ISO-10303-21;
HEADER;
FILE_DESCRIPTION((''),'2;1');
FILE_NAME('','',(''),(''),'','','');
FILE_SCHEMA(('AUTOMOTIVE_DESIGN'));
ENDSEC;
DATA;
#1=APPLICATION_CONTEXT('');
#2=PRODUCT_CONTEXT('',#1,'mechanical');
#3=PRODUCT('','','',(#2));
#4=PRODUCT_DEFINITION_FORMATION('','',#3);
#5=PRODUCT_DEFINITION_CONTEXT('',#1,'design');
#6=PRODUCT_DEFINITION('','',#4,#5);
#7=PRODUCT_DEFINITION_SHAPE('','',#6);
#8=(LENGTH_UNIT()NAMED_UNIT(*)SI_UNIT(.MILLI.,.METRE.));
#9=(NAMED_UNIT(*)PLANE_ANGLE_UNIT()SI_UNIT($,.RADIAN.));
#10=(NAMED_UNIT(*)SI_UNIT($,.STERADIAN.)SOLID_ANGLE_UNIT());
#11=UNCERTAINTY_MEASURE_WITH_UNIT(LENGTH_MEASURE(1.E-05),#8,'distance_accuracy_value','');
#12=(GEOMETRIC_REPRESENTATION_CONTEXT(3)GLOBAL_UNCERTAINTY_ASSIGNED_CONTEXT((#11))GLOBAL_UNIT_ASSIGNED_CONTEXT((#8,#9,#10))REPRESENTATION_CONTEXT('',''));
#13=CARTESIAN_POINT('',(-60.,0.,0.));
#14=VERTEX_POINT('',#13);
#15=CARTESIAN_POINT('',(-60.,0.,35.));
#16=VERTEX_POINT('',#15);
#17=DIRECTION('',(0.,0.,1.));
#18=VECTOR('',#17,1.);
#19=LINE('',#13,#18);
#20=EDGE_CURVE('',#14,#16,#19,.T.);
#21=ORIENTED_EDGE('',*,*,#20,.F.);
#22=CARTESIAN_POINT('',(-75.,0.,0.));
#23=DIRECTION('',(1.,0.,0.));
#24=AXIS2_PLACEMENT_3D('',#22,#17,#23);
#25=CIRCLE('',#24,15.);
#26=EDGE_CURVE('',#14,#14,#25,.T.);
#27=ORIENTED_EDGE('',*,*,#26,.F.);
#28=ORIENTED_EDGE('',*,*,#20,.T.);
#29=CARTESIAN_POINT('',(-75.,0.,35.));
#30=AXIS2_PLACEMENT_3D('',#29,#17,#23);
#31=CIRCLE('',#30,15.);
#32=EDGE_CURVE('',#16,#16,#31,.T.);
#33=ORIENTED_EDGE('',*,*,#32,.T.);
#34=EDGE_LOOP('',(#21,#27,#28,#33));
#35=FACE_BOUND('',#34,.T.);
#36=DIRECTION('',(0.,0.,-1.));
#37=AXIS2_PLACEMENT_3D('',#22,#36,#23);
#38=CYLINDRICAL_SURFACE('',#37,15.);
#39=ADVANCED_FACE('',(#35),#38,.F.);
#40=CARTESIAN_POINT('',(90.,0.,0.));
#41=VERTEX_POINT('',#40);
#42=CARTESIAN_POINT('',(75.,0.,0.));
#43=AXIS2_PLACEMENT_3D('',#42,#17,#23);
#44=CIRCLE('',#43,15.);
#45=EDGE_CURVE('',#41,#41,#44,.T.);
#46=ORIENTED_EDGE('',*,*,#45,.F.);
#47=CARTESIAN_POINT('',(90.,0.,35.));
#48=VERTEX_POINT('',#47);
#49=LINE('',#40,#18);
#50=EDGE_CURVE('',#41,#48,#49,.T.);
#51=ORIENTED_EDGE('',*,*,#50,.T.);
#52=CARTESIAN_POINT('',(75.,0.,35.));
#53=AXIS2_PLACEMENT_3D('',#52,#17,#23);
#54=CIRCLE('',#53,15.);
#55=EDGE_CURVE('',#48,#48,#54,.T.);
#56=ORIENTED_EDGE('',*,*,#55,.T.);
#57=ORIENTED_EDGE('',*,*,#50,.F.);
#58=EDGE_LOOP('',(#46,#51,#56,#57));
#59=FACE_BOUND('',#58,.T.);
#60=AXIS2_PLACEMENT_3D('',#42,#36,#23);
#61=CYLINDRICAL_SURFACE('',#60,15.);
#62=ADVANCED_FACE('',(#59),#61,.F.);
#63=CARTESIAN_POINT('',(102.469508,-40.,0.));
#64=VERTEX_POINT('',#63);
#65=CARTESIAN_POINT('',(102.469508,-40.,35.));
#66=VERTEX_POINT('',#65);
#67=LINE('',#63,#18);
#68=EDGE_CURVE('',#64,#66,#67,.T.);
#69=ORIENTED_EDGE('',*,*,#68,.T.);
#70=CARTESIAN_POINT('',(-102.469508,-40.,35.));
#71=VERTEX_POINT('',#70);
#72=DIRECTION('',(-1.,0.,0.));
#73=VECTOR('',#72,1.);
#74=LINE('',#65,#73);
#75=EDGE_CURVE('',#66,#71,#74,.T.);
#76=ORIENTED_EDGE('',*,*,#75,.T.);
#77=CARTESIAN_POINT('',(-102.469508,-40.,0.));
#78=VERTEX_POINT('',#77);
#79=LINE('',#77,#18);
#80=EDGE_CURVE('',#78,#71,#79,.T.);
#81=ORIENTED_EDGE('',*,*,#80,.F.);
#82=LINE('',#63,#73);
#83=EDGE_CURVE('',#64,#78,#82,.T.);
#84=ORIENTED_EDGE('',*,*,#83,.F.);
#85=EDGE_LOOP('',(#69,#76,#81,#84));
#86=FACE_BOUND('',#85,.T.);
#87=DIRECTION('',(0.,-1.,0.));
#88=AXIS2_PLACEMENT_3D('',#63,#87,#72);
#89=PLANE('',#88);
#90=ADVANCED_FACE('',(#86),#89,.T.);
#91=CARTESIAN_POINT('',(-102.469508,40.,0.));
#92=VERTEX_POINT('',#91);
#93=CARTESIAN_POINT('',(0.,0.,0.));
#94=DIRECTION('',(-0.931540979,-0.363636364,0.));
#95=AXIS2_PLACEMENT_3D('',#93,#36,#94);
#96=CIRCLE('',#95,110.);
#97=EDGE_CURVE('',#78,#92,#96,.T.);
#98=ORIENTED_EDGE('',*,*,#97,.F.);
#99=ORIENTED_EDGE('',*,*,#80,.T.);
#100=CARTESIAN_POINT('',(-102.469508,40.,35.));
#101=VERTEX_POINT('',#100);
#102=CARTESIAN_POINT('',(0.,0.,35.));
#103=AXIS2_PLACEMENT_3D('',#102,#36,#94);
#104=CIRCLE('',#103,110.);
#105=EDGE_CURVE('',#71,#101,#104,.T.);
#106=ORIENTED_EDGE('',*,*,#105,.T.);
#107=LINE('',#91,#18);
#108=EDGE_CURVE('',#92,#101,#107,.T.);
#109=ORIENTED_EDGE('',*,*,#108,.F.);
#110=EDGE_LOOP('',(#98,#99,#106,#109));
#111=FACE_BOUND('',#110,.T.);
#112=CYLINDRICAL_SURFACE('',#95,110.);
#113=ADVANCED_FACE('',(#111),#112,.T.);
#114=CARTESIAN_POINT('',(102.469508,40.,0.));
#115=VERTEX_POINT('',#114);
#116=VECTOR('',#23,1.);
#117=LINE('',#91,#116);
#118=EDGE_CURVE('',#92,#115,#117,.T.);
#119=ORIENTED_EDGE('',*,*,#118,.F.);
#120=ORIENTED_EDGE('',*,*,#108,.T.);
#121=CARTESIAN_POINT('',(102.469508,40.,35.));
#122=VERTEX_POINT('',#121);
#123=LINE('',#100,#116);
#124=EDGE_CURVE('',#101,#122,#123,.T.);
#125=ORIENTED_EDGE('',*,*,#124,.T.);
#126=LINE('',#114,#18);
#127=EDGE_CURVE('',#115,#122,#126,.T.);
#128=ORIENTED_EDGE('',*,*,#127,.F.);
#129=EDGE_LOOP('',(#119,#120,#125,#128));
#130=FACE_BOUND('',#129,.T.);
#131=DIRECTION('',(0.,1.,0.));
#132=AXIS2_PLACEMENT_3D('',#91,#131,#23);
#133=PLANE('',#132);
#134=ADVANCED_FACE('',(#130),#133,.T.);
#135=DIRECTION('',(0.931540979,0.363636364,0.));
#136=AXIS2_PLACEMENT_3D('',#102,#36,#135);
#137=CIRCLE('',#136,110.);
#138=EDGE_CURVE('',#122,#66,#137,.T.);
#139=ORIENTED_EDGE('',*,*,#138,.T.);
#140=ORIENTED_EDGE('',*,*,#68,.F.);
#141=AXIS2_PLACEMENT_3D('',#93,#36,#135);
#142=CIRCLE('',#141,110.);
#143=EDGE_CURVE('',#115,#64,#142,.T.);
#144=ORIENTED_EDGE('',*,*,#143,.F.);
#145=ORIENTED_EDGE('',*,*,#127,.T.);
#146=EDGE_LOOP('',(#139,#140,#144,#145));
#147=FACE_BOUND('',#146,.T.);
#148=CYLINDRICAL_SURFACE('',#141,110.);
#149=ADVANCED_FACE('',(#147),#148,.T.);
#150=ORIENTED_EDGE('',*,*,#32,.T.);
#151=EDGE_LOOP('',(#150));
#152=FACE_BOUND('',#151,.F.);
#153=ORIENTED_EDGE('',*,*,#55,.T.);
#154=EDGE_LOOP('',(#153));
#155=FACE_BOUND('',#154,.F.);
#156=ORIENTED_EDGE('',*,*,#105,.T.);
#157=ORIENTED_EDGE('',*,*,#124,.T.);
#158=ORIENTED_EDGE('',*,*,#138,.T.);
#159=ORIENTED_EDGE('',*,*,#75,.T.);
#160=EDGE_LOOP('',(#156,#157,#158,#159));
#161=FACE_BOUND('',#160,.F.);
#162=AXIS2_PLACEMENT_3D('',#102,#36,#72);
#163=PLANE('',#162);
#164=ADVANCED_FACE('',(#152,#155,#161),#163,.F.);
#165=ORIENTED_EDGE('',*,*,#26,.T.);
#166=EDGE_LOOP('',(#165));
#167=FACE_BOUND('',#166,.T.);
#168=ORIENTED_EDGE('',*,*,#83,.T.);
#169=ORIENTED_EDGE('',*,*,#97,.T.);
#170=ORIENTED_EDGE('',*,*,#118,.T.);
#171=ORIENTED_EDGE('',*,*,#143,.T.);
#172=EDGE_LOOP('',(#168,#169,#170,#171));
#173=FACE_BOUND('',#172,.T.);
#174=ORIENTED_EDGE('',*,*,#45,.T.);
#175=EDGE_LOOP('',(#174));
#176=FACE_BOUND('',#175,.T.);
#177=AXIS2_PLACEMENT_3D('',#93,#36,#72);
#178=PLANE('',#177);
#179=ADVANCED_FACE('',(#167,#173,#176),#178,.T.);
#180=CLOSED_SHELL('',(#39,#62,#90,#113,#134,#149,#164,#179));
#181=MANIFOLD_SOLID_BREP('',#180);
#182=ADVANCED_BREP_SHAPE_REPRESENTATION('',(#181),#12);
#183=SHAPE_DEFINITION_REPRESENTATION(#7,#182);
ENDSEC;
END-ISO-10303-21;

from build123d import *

# Parameters (mm, degrees)
SKETCH1_R           = 15
BOSS_EXTRUDE1_DEPTH = 35


with BuildPart() as part:
    # Sketch1 → Boss-Extrude1 (new body)
    with BuildSketch(Plane.XY):
        with BuildLine():
            Line((-102.46950766, 40), (102.46950766, 40))
            ThreePointArc((102.46950766, 40), (110, 0), (102.46950766, -40))
            Line((102.46950766, -40), (-102.46950766, -40))
            ThreePointArc((-102.46950766, -40), (-110, 0), (-102.46950766, 40))
        make_face()
        with Locations((75, 0)):
            Circle(SKETCH1_R, mode=Mode.SUBTRACT)
        with Locations((-75, 0)):
            Circle(SKETCH1_R, mode=Mode.SUBTRACT)
    extrude(amount=BOSS_EXTRUDE1_DEPTH)


solid = part.part
